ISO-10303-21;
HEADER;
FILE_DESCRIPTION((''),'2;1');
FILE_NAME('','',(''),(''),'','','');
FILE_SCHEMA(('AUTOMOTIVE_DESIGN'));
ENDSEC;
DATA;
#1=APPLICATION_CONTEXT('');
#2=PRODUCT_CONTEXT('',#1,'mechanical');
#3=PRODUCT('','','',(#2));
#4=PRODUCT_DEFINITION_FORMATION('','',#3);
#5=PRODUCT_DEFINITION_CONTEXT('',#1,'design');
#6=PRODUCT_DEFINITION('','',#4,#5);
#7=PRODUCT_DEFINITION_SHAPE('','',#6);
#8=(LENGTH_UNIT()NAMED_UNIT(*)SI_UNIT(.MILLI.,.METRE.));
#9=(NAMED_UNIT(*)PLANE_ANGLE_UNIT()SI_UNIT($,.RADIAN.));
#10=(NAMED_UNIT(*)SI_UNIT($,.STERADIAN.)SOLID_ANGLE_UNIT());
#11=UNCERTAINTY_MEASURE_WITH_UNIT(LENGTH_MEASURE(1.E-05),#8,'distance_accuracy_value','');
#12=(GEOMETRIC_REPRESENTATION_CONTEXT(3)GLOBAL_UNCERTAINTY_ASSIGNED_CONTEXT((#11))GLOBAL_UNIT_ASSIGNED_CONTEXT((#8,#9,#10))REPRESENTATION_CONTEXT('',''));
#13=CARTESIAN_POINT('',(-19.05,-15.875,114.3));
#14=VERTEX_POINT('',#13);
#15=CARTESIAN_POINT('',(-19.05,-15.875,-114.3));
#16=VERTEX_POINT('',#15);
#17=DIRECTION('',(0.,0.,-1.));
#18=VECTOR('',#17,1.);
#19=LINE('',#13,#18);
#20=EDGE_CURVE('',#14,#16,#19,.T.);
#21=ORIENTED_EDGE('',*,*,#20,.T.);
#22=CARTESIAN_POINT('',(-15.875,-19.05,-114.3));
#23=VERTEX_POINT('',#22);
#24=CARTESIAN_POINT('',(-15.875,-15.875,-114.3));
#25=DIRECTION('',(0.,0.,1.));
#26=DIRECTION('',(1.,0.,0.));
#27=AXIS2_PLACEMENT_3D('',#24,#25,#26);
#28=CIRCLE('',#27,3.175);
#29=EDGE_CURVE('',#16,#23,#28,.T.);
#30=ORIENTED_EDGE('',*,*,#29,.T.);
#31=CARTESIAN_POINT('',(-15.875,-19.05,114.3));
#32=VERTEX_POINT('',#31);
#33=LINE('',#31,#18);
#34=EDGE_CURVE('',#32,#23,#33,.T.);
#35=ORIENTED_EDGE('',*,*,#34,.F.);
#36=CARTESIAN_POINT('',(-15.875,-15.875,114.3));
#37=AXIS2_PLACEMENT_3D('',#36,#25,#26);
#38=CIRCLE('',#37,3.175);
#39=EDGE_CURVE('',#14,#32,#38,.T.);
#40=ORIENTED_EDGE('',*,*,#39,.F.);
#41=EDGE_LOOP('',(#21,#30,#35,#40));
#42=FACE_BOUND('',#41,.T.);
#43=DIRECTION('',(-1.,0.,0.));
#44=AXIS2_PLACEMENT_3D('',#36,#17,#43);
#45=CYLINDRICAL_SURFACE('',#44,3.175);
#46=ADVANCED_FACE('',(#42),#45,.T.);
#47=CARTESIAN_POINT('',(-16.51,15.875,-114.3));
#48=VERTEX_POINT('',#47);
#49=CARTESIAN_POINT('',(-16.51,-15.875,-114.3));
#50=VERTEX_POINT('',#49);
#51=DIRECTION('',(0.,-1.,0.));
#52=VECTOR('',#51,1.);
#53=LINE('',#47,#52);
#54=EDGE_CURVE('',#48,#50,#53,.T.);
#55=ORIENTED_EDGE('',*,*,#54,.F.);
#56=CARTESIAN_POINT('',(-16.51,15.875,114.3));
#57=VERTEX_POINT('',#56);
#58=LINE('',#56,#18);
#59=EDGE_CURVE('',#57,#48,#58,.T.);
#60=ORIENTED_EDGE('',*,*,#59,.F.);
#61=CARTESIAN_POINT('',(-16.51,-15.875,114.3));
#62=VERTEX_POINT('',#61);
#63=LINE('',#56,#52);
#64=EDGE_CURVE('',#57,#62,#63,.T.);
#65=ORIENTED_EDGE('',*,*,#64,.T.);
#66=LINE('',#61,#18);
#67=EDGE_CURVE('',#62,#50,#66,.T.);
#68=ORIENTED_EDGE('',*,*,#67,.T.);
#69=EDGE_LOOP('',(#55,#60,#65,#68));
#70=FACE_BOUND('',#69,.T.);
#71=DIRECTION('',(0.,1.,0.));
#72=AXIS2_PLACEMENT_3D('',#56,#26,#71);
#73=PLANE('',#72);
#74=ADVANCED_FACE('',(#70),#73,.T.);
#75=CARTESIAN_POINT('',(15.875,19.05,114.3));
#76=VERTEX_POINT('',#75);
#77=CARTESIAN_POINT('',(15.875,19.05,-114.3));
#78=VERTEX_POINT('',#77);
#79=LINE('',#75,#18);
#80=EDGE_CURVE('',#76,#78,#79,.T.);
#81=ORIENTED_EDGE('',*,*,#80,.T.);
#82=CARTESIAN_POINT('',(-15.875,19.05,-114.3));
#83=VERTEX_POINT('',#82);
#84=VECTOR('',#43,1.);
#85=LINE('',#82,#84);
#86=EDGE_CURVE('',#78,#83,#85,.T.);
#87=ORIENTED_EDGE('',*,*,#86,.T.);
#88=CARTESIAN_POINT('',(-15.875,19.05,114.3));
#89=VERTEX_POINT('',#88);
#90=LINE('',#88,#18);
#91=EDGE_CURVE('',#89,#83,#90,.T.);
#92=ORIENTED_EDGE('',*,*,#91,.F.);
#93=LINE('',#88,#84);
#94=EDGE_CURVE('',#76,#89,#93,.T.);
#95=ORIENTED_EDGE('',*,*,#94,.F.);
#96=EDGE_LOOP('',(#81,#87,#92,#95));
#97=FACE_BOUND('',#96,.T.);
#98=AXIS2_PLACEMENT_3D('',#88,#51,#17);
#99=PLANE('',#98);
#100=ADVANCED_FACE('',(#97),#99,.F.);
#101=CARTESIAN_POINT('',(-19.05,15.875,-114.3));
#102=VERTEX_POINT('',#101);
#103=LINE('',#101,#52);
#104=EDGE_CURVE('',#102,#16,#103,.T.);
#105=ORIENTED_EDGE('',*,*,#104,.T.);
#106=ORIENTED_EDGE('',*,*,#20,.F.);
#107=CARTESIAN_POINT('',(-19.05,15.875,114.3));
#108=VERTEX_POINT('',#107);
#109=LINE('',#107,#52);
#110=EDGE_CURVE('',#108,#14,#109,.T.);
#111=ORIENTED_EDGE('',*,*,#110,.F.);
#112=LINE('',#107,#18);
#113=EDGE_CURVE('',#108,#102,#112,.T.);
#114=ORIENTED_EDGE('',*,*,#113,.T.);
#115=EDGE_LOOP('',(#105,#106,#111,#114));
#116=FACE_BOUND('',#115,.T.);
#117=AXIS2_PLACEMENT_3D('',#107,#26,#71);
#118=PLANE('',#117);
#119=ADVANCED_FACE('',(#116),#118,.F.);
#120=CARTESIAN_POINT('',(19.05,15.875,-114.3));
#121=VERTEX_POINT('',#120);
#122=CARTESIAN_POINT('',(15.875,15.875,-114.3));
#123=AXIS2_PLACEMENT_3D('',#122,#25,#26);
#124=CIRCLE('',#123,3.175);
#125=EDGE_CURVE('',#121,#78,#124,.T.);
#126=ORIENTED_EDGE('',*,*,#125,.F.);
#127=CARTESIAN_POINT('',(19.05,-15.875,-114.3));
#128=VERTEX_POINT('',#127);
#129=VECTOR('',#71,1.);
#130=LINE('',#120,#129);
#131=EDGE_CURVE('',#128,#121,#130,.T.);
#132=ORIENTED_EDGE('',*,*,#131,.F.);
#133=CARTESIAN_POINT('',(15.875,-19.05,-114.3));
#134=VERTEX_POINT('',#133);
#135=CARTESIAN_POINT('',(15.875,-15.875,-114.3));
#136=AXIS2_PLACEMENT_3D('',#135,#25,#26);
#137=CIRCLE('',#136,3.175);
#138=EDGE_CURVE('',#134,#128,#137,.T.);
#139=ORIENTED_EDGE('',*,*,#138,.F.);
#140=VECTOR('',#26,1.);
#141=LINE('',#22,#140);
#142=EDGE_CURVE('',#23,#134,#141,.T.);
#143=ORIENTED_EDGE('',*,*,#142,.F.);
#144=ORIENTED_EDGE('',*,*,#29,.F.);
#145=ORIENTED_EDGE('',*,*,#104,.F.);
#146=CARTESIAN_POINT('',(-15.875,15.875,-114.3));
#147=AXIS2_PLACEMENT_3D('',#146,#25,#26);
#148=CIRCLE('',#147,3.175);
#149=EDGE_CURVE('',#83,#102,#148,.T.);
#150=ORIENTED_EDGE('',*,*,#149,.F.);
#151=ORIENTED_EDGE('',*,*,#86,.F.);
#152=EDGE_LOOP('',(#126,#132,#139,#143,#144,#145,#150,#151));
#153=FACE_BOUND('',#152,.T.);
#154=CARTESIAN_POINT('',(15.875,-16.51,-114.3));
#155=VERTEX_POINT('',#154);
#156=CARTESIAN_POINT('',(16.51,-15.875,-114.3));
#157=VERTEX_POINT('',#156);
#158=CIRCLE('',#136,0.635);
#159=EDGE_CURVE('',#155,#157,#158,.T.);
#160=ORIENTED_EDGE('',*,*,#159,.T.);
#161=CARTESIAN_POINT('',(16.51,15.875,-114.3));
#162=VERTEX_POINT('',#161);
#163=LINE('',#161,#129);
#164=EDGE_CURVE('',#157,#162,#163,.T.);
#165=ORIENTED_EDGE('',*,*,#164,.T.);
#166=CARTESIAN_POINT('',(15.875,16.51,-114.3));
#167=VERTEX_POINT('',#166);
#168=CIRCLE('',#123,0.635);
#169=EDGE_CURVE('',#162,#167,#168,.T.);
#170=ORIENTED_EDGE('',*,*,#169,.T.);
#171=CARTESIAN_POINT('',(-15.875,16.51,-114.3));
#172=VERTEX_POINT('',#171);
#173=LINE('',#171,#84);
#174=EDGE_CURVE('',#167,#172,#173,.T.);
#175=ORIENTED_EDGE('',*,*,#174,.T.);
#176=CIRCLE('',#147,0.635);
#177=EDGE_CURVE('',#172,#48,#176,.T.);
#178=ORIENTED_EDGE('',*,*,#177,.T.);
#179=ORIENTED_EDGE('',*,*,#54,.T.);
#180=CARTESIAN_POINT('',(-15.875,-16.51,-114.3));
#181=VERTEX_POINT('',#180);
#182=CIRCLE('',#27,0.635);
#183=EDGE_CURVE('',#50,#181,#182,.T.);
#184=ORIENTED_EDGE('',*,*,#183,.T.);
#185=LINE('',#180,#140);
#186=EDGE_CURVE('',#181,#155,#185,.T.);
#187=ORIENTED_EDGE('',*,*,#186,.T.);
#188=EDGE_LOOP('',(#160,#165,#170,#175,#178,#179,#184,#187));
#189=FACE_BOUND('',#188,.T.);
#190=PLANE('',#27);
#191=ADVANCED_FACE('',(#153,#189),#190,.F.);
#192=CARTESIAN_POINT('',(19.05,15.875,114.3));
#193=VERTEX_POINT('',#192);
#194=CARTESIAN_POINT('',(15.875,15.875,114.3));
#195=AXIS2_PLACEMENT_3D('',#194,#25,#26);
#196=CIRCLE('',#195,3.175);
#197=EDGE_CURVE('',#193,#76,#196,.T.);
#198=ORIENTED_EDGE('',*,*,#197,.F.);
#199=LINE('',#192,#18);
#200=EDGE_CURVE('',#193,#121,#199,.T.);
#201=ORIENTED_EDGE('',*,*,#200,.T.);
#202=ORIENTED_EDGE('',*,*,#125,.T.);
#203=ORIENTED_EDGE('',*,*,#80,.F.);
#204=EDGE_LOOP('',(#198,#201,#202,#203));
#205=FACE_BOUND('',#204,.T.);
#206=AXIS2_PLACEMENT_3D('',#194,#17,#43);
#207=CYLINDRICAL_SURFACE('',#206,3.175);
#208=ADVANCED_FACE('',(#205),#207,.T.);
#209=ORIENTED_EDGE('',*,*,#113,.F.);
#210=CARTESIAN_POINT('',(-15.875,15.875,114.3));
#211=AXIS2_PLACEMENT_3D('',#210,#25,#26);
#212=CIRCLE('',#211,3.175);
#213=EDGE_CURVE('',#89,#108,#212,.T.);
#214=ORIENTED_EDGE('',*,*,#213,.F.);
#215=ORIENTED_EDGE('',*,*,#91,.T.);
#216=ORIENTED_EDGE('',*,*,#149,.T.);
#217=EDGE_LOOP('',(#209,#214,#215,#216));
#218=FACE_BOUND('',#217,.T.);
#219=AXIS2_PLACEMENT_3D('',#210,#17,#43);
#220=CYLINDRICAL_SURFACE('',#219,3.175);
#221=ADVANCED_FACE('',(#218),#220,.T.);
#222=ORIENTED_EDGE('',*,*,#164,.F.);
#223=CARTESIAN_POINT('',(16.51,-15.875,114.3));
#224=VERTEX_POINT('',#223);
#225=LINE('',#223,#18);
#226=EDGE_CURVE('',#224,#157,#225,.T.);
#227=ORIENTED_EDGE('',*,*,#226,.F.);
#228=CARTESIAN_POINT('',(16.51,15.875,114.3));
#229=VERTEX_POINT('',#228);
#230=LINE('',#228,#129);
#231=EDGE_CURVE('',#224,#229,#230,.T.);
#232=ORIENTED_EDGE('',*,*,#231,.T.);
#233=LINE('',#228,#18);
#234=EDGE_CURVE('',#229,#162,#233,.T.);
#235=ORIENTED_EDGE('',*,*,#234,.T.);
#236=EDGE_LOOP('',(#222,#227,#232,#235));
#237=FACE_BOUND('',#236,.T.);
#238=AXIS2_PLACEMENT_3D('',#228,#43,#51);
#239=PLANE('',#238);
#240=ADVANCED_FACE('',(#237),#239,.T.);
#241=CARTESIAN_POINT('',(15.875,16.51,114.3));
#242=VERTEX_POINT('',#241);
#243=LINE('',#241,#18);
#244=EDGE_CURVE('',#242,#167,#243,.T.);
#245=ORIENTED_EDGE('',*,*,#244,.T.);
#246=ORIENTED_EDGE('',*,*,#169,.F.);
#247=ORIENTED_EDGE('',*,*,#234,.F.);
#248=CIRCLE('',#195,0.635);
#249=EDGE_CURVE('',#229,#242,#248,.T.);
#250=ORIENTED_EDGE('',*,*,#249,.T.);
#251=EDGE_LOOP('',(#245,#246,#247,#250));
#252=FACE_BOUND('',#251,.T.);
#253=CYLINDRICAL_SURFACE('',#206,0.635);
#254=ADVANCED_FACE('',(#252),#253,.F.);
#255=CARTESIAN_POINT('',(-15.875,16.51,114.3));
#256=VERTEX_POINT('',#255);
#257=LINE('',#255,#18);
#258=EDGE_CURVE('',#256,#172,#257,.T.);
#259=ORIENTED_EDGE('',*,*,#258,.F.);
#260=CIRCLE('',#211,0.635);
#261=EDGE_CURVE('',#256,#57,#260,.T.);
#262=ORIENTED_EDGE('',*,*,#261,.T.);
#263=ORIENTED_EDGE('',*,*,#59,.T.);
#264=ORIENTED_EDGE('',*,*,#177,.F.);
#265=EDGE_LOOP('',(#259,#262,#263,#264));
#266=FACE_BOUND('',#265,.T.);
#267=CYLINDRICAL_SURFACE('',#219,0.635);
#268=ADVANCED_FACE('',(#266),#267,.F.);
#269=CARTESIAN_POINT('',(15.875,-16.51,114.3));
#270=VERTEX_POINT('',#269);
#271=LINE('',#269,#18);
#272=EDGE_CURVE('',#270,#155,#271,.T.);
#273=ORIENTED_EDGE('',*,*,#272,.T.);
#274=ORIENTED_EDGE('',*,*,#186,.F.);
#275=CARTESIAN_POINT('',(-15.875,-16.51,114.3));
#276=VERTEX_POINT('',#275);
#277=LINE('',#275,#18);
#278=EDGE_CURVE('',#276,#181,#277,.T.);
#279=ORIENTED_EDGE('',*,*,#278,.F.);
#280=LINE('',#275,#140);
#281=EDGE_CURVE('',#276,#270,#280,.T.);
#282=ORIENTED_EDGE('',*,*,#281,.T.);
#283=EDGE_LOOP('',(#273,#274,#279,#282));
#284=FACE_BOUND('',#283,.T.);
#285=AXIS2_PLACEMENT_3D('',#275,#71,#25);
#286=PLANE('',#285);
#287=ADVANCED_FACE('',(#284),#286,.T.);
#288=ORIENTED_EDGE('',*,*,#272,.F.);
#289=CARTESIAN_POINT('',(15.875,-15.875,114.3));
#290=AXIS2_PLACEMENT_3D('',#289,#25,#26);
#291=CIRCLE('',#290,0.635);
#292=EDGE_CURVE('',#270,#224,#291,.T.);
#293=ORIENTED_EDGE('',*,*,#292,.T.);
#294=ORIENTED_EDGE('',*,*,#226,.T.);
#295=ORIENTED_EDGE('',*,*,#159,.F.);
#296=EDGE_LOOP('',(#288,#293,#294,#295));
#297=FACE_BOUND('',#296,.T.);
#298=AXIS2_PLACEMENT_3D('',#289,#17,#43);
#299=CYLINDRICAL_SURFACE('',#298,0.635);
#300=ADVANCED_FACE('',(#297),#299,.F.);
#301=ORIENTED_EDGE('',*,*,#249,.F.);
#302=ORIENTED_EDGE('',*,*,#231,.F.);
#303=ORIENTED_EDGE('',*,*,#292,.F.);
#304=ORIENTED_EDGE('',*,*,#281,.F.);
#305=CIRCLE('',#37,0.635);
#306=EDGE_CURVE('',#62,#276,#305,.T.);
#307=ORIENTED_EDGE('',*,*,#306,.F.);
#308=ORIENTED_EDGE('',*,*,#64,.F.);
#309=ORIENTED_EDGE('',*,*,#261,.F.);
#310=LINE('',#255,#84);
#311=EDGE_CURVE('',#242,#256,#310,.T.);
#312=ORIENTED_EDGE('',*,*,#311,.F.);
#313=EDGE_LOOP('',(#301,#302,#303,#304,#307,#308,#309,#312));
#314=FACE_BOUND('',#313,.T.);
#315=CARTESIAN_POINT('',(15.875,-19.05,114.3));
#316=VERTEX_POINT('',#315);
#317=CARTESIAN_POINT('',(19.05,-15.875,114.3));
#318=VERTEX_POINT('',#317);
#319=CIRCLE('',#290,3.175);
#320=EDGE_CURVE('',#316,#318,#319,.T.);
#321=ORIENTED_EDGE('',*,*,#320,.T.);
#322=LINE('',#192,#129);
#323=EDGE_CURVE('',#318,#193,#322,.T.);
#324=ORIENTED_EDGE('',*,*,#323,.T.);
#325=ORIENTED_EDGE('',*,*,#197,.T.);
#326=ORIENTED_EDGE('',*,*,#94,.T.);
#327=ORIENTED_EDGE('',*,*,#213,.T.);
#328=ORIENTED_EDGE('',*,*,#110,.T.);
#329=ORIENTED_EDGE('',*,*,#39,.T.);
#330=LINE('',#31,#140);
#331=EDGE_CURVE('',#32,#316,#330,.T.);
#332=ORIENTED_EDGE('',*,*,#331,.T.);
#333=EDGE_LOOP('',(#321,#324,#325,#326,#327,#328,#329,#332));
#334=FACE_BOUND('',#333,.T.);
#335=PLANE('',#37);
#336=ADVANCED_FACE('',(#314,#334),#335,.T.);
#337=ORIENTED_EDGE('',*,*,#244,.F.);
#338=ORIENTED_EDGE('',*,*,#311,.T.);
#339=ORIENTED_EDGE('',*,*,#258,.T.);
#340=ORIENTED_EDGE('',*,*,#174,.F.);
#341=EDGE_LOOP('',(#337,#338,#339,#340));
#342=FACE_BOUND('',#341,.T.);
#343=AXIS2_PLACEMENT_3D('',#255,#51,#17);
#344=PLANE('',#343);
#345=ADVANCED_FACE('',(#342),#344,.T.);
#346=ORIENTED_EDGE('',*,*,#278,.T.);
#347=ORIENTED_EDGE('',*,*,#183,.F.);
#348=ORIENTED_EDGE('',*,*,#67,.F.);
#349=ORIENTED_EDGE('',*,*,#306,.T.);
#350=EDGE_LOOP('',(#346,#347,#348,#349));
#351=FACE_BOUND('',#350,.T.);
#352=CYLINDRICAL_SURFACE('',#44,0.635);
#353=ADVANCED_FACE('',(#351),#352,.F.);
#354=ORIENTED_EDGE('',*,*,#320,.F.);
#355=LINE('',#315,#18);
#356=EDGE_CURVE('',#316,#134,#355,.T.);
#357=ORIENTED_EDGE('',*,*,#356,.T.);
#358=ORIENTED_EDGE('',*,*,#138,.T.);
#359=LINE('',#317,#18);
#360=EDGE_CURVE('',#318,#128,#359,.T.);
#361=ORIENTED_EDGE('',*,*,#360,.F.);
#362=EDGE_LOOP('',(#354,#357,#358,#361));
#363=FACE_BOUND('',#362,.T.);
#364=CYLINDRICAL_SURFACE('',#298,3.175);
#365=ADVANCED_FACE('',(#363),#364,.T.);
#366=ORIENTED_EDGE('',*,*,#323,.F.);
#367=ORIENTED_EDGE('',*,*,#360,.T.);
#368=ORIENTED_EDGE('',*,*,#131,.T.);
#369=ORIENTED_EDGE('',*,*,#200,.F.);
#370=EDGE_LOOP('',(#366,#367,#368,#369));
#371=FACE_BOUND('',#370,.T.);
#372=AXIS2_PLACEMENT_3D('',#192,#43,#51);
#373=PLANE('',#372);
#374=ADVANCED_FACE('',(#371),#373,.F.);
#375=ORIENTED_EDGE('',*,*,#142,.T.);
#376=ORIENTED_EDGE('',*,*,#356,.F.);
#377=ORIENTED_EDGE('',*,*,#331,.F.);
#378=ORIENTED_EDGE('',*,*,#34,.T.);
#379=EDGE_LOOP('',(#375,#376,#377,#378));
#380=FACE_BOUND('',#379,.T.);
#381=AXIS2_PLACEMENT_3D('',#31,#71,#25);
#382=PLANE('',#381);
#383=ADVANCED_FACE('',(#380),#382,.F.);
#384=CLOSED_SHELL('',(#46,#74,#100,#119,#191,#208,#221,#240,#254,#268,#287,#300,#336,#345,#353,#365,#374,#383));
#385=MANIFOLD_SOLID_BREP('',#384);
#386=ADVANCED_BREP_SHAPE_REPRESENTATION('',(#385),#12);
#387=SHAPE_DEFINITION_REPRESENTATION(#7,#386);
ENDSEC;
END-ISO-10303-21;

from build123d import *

# Parameters (mm, degrees)
EXTRUDE_THIN1_DEPTH = 114.3


with BuildPart() as part:
    # Sketch1 → Extrude-Thin1 (new body, symmetric)
    with BuildSketch(Plane.XY):
        with BuildLine():
            Line((-15.875, 19.05), (15.875, 19.05))
            ThreePointArc((15.875, 19.05), (18.12006403, 18.12006403), (19.05, 15.875))
            Line((19.05, 15.875), (19.05, -15.875))
            ThreePointArc((19.05, -15.875), (18.12006403, -18.12006403), (15.875, -19.05))
            Line((15.875, -19.05), (-15.875, -19.05))
            ThreePointArc((-15.875, -19.05), (-18.12006403, -18.12006403), (-19.05, -15.875))
            Line((-19.05, -15.875), (-19.05, 15.875))
            ThreePointArc((-19.05, 15.875), (-18.12006403, 18.12006403), (-15.875, 19.05))
        make_face()
        with BuildLine():
            Line((-15.875, 16.51), (15.875, 16.51))
            ThreePointArc((15.875, 16.51), (16.324012806, 16.324012806), (16.51, 15.875))
            Line((16.51, 15.875), (16.51, -15.875))
            ThreePointArc((16.51, -15.875), (16.324012806, -16.324012806), (15.875, -16.51))
            Line((15.875, -16.51), (-15.875, -16.51))
            ThreePointArc((-15.875, -16.51), (-16.324012806, -16.324012806), (-16.51, -15.875))
            Line((-16.51, -15.875), (-16.51, 15.875))
            ThreePointArc((-16.51, 15.875), (-16.324012806, 16.324012806), (-15.875, 16.51))
        make_face(mode=Mode.SUBTRACT)
    extrude(amount=EXTRUDE_THIN1_DEPTH, both=True)


solid = part.part
